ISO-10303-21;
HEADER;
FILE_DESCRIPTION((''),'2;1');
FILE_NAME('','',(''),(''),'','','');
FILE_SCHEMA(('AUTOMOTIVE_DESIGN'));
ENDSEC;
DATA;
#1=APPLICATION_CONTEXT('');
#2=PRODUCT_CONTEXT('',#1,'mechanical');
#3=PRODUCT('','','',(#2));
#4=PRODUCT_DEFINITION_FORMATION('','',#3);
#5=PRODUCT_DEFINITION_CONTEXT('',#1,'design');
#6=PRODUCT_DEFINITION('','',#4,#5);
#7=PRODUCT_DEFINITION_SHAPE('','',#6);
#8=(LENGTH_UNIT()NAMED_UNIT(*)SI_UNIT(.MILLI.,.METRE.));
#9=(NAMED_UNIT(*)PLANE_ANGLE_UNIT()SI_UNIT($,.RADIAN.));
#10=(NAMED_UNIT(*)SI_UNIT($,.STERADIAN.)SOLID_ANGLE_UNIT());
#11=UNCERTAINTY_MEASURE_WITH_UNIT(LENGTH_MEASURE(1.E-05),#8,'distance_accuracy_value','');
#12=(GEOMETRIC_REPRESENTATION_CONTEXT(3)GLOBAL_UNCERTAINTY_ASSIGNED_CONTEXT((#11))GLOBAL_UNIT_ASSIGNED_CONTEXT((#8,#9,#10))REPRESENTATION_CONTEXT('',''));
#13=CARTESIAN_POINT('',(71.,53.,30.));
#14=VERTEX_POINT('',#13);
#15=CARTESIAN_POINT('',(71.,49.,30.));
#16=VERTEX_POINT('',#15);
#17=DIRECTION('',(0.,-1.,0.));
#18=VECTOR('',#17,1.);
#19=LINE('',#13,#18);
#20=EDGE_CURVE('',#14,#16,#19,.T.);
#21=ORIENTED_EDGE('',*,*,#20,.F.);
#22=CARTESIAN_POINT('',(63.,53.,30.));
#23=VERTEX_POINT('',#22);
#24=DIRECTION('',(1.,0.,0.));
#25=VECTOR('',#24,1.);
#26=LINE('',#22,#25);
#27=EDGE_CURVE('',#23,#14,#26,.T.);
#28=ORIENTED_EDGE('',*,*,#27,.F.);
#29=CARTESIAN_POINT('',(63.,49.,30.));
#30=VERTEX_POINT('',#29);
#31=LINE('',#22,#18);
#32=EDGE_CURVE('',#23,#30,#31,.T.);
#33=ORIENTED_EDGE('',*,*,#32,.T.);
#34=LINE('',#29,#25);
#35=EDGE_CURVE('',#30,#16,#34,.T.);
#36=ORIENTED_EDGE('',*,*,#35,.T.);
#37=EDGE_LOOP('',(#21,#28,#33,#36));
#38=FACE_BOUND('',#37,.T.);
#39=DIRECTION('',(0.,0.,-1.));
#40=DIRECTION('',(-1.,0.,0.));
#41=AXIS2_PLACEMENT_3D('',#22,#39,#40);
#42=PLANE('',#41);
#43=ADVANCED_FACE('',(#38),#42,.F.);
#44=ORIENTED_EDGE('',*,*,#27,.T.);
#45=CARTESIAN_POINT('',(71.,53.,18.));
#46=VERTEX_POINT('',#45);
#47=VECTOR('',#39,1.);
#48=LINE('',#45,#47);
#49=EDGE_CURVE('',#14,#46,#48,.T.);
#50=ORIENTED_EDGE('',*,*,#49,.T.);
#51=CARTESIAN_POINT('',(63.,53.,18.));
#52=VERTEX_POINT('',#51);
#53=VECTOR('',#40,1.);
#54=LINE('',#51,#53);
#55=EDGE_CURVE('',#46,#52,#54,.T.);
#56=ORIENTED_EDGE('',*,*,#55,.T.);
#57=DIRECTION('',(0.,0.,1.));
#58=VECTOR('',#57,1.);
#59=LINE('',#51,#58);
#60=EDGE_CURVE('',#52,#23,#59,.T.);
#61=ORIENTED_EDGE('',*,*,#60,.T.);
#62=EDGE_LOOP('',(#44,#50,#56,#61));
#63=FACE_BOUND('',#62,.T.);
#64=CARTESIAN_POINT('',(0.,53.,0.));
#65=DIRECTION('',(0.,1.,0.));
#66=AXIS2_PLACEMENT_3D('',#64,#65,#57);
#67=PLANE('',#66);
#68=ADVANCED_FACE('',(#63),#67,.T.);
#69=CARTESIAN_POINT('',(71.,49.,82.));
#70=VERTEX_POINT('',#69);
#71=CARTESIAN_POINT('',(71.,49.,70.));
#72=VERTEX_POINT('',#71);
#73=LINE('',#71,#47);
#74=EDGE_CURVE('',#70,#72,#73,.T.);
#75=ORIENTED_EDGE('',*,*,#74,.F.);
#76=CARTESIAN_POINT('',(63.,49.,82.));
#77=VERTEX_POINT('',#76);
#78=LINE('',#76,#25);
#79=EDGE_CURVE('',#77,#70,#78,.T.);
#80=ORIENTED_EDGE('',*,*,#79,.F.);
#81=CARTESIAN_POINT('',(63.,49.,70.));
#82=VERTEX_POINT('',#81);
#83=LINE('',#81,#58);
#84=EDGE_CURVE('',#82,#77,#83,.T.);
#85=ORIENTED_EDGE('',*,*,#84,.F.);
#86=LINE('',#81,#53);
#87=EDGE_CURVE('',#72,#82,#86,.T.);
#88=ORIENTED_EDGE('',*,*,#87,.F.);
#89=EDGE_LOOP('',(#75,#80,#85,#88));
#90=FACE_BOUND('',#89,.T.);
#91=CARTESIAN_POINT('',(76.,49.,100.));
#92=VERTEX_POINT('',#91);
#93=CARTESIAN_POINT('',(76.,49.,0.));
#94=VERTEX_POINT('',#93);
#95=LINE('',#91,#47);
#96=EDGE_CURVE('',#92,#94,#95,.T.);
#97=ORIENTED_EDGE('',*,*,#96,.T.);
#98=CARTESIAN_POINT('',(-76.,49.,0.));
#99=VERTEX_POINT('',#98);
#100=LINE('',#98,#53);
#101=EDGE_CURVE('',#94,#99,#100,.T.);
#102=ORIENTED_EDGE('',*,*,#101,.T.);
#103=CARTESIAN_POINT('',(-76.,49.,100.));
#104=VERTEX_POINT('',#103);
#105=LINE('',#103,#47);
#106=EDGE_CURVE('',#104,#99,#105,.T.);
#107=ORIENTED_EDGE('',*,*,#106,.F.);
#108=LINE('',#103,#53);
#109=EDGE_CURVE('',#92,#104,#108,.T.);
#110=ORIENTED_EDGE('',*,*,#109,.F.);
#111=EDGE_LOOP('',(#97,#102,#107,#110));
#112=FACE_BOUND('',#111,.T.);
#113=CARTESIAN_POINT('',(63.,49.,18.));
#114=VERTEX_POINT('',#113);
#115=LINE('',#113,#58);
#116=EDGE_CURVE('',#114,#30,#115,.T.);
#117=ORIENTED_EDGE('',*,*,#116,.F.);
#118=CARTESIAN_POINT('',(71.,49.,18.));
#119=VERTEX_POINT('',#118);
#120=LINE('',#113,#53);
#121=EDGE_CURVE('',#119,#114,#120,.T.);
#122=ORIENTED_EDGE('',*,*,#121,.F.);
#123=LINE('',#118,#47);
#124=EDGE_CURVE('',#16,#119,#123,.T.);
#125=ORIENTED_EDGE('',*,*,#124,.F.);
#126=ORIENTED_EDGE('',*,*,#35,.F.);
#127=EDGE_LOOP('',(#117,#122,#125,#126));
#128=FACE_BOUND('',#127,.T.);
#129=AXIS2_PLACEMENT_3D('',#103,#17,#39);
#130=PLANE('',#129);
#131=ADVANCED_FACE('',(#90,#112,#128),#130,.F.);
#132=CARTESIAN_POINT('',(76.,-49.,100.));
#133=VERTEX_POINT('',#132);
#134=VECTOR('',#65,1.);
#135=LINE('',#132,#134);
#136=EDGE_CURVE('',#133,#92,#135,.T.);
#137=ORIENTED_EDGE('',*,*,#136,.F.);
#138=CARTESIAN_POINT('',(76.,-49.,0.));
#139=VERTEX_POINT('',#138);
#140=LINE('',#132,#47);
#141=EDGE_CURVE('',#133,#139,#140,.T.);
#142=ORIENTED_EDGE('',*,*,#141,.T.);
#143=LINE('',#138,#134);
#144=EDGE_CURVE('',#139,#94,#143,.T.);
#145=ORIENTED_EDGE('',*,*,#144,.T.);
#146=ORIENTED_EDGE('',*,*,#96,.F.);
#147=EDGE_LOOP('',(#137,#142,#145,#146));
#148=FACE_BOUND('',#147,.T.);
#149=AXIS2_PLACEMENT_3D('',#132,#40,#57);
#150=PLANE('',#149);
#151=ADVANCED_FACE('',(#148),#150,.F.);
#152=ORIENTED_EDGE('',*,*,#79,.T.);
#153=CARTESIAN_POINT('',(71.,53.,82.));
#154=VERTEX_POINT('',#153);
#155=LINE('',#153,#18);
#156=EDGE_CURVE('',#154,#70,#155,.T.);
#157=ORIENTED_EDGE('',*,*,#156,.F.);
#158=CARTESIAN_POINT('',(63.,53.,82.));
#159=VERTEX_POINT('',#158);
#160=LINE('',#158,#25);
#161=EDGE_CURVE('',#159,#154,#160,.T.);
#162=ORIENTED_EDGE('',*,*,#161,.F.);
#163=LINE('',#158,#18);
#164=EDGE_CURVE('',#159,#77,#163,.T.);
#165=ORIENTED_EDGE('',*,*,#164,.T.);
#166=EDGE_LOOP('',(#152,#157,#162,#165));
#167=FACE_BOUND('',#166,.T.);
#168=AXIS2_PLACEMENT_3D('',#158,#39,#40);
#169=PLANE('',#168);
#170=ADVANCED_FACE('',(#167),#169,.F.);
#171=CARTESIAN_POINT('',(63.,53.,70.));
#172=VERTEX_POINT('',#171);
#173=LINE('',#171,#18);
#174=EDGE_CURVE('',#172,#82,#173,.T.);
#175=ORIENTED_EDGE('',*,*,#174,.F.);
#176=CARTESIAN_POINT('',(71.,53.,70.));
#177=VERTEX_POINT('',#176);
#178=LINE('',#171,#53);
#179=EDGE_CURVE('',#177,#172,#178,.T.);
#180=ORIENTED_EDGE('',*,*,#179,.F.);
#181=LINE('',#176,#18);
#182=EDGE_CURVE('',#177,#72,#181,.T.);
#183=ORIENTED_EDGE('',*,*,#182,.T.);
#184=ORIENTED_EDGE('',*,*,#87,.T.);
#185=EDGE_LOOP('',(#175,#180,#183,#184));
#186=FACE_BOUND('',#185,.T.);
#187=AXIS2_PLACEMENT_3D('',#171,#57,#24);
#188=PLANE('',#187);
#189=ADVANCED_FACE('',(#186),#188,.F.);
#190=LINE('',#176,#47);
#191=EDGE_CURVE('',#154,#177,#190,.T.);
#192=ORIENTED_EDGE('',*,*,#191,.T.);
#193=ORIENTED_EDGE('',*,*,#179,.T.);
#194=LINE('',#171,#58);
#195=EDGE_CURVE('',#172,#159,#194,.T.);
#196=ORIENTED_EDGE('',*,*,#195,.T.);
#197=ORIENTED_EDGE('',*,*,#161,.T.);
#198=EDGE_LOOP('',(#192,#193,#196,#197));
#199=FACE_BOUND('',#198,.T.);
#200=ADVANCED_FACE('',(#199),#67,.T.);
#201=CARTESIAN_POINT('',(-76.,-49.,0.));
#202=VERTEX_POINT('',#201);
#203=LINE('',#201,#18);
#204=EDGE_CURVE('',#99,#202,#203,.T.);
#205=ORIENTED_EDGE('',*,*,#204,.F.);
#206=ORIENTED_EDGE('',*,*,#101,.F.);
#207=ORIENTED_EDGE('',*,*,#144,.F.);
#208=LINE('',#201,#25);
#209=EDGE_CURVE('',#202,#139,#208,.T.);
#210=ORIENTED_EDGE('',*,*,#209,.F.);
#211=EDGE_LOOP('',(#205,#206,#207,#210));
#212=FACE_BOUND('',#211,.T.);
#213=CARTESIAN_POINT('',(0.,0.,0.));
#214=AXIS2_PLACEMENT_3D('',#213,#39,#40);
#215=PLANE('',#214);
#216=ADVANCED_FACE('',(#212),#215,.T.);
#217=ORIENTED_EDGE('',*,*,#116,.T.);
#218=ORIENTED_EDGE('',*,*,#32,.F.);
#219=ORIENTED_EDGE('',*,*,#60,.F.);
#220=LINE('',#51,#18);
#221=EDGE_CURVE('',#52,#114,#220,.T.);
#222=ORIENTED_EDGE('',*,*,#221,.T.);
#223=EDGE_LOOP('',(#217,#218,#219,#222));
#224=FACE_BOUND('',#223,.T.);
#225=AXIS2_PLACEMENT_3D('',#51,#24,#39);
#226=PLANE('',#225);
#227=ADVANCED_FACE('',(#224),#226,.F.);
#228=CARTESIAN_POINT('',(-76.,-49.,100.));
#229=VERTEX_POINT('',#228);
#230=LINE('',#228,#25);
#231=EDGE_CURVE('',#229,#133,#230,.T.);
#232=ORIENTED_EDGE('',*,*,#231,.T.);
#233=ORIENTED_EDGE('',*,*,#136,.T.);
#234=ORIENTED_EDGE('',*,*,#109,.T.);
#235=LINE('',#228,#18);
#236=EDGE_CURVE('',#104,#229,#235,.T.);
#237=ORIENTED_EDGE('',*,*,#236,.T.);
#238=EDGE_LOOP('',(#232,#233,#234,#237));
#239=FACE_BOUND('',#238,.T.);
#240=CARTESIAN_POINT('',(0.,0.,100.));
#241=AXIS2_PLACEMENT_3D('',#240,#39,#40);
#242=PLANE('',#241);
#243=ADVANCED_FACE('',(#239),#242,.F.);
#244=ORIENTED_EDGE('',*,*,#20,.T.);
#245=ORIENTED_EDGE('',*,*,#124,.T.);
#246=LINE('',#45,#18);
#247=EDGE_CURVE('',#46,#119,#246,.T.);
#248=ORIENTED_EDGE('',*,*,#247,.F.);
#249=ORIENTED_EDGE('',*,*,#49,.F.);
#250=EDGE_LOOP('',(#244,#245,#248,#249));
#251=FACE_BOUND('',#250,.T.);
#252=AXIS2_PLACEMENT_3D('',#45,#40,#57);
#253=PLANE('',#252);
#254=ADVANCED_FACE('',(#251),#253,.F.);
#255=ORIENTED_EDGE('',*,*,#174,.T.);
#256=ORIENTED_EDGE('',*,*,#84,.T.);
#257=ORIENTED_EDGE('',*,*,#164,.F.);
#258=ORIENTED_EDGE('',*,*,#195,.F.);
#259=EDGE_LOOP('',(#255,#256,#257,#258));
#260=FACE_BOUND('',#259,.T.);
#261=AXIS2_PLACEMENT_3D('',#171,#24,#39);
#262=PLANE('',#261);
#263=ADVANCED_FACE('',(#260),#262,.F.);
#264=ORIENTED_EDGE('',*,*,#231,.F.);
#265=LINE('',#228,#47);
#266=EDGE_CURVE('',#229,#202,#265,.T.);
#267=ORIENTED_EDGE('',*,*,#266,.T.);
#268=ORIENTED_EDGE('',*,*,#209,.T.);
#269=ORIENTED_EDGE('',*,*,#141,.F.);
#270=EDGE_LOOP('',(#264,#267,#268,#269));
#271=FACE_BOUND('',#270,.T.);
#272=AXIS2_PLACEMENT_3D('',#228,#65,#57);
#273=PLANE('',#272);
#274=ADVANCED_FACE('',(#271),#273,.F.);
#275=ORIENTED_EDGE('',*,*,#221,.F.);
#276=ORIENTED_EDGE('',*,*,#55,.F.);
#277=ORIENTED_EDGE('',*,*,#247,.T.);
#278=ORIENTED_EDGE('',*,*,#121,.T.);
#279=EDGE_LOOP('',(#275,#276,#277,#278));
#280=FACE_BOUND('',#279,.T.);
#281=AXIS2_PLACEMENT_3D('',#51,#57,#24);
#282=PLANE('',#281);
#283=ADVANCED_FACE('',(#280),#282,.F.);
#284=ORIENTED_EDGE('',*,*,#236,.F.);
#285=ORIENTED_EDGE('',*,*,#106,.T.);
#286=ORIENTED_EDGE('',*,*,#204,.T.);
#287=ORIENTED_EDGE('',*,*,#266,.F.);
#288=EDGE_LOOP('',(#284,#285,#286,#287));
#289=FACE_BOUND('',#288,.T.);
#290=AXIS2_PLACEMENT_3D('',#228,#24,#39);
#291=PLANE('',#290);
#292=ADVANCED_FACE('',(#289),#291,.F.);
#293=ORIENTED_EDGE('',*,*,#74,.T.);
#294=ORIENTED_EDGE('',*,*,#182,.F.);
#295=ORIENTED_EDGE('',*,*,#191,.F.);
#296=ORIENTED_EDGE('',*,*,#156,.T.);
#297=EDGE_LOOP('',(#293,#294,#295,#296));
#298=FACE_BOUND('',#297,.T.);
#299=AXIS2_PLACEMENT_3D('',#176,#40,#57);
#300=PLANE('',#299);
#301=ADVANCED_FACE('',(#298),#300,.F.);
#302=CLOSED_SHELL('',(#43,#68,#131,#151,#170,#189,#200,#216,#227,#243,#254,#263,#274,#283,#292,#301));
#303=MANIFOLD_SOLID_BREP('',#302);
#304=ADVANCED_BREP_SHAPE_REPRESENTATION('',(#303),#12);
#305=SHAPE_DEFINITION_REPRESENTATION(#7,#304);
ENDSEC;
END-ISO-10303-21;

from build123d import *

# Parameters (mm, degrees)
SKETCH1_W           = 152
SKETCH1_H           = 98
BOSS_EXTRUDE1_DEPTH = 100
SKETCH2_W           = 8
SKETCH2_H           = 12
BOSS_EXTRUDE2_DEPTH = 4


with BuildPart() as part:
    # Sketch1 → Boss-Extrude1 (new body)
    with BuildSketch(Plane.XY):
        Rectangle(SKETCH1_W, SKETCH1_H)
    extrude(amount=BOSS_EXTRUDE1_DEPTH)

    # Sketch2 → Boss-Extrude2 (add)
    with BuildSketch(Plane(origin=(0, 49, 0), x_dir=(1, 0, 0), z_dir=(0, 1, 0))):
        with Locations((67, -24)):
            Rectangle(SKETCH2_W, SKETCH2_H)
        with Locations((67, -76)):
            Rectangle(SKETCH2_W, SKETCH2_H)
    extrude(amount=BOSS_EXTRUDE2_DEPTH)


solid = part.part
